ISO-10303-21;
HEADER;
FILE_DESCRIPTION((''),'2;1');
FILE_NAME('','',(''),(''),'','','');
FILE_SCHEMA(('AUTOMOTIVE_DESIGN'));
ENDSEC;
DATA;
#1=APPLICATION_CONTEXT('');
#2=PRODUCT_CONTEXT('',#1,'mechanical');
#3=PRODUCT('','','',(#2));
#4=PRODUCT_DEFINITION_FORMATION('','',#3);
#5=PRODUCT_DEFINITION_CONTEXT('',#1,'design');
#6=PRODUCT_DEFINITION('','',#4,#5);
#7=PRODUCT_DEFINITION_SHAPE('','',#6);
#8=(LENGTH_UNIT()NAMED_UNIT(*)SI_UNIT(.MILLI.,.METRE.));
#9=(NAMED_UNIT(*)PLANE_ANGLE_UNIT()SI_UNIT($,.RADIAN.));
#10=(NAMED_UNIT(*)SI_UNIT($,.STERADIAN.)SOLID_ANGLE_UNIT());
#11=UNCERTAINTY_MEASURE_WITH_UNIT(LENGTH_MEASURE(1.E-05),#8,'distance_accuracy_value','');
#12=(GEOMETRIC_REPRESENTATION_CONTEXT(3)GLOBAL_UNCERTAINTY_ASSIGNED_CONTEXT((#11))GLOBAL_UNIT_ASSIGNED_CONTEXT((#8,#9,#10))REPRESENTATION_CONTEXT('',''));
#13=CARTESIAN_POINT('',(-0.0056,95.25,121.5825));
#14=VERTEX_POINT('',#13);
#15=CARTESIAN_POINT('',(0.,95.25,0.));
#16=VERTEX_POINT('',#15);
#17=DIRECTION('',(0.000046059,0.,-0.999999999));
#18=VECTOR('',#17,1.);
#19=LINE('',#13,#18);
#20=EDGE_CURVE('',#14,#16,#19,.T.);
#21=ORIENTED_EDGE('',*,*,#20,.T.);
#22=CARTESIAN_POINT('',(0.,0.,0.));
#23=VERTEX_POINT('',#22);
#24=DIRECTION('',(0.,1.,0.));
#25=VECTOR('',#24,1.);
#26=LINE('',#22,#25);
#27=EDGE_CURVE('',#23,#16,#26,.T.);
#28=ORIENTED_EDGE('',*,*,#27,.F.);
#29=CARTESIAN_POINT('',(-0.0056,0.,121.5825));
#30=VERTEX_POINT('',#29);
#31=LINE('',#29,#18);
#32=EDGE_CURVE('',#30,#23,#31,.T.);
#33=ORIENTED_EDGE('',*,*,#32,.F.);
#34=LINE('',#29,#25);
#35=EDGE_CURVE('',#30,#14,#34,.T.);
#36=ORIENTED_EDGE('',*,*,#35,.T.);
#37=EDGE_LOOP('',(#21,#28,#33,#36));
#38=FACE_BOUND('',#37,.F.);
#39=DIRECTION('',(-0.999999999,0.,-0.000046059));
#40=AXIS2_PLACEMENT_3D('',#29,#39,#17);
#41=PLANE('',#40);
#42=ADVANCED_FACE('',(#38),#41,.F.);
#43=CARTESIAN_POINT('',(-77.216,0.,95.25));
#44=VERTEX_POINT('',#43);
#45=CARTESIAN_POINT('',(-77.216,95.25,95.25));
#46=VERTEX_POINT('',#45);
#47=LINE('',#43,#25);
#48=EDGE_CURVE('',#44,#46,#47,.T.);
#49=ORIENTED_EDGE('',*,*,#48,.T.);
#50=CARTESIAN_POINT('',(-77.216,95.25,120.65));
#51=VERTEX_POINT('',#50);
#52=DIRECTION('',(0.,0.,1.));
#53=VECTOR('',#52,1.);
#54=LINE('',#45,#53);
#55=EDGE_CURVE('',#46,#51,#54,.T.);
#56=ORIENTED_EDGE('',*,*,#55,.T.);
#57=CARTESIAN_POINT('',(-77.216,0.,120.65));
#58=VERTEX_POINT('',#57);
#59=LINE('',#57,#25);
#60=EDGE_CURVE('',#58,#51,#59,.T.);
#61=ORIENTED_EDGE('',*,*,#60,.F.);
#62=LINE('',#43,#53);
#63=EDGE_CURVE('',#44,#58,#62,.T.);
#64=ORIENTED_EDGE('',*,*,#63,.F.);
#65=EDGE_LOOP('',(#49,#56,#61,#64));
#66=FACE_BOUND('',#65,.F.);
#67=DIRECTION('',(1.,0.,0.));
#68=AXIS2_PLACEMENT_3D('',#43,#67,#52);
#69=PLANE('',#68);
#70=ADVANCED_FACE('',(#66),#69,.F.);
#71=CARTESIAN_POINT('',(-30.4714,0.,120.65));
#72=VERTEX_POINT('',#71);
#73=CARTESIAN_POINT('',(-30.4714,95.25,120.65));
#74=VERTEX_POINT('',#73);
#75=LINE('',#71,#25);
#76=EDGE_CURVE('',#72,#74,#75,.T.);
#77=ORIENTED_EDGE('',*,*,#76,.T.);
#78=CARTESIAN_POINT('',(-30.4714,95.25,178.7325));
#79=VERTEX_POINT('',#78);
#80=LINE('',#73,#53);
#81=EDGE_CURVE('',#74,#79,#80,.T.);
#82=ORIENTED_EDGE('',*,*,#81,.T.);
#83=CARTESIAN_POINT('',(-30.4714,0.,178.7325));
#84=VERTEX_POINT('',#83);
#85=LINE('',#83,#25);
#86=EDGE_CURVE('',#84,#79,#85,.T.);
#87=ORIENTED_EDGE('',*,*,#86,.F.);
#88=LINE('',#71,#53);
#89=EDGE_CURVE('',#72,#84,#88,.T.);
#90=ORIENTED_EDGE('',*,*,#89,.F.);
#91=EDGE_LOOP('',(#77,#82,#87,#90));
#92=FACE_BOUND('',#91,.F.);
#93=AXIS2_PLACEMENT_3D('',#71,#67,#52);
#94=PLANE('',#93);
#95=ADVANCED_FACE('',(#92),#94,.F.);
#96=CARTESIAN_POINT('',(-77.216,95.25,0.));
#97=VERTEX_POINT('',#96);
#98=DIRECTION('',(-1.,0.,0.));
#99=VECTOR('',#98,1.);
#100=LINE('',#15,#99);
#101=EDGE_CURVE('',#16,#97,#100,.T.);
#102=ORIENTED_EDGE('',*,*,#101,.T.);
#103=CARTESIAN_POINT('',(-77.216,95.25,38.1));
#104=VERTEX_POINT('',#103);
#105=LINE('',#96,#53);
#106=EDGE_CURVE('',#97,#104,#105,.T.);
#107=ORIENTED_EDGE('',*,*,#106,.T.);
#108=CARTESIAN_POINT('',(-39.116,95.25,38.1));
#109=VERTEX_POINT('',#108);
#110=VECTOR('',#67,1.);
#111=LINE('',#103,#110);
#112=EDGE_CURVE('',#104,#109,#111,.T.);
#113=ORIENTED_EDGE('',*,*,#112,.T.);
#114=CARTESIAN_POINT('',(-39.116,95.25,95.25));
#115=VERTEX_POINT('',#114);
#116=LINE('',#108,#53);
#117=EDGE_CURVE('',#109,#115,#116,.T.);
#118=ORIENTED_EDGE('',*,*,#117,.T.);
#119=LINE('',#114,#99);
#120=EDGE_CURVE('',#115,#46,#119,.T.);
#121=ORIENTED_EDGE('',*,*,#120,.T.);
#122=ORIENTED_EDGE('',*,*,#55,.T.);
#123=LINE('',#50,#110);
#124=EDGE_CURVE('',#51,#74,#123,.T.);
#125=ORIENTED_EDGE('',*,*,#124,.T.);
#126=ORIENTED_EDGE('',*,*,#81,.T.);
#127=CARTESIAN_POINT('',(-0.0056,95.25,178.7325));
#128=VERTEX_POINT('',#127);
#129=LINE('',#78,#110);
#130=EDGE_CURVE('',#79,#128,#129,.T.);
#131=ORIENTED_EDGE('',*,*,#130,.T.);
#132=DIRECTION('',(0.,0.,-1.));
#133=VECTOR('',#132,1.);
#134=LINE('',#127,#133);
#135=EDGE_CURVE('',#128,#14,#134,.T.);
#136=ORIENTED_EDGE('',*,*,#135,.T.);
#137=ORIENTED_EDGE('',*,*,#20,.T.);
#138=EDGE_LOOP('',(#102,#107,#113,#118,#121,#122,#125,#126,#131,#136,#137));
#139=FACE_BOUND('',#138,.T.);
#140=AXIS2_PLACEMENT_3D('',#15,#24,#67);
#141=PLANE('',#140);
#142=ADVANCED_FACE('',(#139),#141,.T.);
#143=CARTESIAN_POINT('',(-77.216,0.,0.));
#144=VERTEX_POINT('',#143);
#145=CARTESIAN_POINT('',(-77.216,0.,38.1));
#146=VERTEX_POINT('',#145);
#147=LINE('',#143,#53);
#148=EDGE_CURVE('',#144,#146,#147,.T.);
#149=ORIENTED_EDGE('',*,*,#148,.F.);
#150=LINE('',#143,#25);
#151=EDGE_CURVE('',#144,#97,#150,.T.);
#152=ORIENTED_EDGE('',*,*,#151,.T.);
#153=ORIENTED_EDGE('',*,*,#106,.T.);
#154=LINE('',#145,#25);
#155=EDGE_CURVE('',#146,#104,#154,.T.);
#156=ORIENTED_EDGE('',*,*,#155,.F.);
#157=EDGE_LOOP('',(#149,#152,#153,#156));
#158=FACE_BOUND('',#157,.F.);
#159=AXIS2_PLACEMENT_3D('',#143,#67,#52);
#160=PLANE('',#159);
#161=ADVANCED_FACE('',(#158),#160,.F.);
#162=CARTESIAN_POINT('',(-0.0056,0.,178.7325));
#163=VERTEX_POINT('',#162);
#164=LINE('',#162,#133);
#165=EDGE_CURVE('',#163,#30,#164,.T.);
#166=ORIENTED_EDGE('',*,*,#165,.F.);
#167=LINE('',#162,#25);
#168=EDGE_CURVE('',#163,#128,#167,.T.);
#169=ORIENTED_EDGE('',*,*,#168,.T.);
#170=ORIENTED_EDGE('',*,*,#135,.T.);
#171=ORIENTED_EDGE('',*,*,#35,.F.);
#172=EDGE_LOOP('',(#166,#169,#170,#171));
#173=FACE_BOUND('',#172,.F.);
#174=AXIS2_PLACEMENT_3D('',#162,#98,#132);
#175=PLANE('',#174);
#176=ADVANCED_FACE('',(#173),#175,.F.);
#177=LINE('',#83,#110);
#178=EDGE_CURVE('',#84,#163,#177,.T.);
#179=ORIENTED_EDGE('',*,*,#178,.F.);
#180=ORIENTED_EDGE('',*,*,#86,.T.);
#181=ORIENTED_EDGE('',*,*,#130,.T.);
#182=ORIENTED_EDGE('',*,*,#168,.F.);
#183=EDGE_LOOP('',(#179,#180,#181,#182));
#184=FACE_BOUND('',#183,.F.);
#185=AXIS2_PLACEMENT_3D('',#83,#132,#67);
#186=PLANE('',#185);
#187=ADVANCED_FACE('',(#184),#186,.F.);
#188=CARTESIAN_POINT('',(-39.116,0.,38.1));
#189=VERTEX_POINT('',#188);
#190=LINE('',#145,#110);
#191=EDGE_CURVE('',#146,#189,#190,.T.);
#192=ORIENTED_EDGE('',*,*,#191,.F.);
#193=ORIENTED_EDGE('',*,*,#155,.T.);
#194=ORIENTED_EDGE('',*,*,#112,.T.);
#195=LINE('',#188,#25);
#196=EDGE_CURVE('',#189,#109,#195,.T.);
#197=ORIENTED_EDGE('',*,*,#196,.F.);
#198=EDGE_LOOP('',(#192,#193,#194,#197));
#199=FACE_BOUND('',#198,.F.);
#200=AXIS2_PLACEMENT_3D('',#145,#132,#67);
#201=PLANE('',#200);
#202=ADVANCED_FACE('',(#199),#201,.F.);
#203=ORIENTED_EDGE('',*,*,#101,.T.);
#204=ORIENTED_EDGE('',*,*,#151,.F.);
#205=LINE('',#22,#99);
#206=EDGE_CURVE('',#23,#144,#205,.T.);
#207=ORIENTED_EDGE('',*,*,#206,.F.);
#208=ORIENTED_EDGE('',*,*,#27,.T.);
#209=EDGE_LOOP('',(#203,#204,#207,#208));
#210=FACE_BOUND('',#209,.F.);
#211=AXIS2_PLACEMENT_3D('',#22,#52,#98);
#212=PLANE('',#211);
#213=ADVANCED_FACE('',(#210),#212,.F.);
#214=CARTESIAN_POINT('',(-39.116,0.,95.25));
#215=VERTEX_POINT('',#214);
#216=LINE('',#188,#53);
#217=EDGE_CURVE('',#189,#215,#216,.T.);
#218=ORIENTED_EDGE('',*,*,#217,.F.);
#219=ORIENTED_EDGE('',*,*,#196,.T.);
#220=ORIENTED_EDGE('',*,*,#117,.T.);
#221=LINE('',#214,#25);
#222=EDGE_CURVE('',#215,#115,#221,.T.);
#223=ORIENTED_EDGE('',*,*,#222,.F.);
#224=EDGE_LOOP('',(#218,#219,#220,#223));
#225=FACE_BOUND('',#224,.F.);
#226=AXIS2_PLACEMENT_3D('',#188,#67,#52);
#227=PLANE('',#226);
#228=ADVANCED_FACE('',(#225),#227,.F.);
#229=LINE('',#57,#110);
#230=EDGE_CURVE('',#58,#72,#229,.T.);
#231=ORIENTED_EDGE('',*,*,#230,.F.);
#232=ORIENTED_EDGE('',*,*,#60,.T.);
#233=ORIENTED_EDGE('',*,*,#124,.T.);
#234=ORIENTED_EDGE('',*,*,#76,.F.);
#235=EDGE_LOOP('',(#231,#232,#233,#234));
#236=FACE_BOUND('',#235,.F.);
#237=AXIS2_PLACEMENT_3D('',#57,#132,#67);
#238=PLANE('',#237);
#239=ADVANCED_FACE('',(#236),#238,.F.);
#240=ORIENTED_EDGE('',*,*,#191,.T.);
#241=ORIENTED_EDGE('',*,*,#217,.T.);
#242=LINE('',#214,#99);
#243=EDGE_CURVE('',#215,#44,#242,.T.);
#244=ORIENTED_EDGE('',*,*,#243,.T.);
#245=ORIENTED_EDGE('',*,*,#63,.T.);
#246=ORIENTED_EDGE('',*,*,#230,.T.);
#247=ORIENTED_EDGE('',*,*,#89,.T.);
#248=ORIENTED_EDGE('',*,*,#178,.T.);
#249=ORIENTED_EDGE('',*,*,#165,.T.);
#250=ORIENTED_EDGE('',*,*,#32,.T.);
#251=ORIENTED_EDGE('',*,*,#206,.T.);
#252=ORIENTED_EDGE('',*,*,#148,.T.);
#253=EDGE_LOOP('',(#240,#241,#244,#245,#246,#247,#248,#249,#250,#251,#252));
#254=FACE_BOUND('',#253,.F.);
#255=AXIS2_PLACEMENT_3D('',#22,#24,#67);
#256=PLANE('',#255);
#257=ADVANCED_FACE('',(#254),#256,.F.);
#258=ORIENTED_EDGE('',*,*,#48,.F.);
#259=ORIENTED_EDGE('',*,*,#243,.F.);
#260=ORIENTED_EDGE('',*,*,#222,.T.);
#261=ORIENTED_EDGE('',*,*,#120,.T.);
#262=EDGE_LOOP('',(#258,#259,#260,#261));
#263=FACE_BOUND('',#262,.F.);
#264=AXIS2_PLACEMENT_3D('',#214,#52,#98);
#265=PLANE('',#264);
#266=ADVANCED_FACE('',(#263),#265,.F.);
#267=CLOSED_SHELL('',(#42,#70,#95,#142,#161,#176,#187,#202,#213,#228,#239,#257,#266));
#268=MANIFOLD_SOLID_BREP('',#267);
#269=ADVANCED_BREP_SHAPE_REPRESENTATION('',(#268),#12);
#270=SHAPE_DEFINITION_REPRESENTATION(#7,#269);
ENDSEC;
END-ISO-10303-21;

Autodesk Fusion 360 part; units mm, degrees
sketch "Sketch3" plane through (0, 0, 0) normal (0, 1, 0) x (1, 0, 0)
  line L0 (0, 0) -> (-77.216, 0)
  line L1 (-77.216, 0) -> (-77.216, -38.1)
  line L2 (-77.216, -38.1) -> (-39.116, -38.1)
  line L3 (-39.116, -38.1) -> (-39.116, -95.25)
  line L4 (-39.116, -95.25) -> (-77.216, -95.25)
  line L5 (-77.216, -95.25) -> (-77.216, -120.65)
  line L6 (-77.216, -120.65) -> (-30.4714, -120.65)
  line L7 (-0.0056, -121.5825) -> (0, 0)
  line L8 (-30.4714, -120.65) -> (-30.4714, -178.7325)
  line L9 (-30.4714, -178.7325) -> (-0.0056, -178.7325)
  line L10 (-0.0056, -178.7325) -> (-0.0056, -121.5825)
  dimension "d9" = 77.216
  dimension "d10" = 38.1
  dimension "d11" = 38.1
  dimension "d12" = 57.15
  dimension "d13" = 38.1
  dimension "d14" = 25.4
  dimension "d15" = 77.216
  dimension "d17" = 57.15
extrude "Extrude2" add sketch "Sketch3" along normal blind 95.25
